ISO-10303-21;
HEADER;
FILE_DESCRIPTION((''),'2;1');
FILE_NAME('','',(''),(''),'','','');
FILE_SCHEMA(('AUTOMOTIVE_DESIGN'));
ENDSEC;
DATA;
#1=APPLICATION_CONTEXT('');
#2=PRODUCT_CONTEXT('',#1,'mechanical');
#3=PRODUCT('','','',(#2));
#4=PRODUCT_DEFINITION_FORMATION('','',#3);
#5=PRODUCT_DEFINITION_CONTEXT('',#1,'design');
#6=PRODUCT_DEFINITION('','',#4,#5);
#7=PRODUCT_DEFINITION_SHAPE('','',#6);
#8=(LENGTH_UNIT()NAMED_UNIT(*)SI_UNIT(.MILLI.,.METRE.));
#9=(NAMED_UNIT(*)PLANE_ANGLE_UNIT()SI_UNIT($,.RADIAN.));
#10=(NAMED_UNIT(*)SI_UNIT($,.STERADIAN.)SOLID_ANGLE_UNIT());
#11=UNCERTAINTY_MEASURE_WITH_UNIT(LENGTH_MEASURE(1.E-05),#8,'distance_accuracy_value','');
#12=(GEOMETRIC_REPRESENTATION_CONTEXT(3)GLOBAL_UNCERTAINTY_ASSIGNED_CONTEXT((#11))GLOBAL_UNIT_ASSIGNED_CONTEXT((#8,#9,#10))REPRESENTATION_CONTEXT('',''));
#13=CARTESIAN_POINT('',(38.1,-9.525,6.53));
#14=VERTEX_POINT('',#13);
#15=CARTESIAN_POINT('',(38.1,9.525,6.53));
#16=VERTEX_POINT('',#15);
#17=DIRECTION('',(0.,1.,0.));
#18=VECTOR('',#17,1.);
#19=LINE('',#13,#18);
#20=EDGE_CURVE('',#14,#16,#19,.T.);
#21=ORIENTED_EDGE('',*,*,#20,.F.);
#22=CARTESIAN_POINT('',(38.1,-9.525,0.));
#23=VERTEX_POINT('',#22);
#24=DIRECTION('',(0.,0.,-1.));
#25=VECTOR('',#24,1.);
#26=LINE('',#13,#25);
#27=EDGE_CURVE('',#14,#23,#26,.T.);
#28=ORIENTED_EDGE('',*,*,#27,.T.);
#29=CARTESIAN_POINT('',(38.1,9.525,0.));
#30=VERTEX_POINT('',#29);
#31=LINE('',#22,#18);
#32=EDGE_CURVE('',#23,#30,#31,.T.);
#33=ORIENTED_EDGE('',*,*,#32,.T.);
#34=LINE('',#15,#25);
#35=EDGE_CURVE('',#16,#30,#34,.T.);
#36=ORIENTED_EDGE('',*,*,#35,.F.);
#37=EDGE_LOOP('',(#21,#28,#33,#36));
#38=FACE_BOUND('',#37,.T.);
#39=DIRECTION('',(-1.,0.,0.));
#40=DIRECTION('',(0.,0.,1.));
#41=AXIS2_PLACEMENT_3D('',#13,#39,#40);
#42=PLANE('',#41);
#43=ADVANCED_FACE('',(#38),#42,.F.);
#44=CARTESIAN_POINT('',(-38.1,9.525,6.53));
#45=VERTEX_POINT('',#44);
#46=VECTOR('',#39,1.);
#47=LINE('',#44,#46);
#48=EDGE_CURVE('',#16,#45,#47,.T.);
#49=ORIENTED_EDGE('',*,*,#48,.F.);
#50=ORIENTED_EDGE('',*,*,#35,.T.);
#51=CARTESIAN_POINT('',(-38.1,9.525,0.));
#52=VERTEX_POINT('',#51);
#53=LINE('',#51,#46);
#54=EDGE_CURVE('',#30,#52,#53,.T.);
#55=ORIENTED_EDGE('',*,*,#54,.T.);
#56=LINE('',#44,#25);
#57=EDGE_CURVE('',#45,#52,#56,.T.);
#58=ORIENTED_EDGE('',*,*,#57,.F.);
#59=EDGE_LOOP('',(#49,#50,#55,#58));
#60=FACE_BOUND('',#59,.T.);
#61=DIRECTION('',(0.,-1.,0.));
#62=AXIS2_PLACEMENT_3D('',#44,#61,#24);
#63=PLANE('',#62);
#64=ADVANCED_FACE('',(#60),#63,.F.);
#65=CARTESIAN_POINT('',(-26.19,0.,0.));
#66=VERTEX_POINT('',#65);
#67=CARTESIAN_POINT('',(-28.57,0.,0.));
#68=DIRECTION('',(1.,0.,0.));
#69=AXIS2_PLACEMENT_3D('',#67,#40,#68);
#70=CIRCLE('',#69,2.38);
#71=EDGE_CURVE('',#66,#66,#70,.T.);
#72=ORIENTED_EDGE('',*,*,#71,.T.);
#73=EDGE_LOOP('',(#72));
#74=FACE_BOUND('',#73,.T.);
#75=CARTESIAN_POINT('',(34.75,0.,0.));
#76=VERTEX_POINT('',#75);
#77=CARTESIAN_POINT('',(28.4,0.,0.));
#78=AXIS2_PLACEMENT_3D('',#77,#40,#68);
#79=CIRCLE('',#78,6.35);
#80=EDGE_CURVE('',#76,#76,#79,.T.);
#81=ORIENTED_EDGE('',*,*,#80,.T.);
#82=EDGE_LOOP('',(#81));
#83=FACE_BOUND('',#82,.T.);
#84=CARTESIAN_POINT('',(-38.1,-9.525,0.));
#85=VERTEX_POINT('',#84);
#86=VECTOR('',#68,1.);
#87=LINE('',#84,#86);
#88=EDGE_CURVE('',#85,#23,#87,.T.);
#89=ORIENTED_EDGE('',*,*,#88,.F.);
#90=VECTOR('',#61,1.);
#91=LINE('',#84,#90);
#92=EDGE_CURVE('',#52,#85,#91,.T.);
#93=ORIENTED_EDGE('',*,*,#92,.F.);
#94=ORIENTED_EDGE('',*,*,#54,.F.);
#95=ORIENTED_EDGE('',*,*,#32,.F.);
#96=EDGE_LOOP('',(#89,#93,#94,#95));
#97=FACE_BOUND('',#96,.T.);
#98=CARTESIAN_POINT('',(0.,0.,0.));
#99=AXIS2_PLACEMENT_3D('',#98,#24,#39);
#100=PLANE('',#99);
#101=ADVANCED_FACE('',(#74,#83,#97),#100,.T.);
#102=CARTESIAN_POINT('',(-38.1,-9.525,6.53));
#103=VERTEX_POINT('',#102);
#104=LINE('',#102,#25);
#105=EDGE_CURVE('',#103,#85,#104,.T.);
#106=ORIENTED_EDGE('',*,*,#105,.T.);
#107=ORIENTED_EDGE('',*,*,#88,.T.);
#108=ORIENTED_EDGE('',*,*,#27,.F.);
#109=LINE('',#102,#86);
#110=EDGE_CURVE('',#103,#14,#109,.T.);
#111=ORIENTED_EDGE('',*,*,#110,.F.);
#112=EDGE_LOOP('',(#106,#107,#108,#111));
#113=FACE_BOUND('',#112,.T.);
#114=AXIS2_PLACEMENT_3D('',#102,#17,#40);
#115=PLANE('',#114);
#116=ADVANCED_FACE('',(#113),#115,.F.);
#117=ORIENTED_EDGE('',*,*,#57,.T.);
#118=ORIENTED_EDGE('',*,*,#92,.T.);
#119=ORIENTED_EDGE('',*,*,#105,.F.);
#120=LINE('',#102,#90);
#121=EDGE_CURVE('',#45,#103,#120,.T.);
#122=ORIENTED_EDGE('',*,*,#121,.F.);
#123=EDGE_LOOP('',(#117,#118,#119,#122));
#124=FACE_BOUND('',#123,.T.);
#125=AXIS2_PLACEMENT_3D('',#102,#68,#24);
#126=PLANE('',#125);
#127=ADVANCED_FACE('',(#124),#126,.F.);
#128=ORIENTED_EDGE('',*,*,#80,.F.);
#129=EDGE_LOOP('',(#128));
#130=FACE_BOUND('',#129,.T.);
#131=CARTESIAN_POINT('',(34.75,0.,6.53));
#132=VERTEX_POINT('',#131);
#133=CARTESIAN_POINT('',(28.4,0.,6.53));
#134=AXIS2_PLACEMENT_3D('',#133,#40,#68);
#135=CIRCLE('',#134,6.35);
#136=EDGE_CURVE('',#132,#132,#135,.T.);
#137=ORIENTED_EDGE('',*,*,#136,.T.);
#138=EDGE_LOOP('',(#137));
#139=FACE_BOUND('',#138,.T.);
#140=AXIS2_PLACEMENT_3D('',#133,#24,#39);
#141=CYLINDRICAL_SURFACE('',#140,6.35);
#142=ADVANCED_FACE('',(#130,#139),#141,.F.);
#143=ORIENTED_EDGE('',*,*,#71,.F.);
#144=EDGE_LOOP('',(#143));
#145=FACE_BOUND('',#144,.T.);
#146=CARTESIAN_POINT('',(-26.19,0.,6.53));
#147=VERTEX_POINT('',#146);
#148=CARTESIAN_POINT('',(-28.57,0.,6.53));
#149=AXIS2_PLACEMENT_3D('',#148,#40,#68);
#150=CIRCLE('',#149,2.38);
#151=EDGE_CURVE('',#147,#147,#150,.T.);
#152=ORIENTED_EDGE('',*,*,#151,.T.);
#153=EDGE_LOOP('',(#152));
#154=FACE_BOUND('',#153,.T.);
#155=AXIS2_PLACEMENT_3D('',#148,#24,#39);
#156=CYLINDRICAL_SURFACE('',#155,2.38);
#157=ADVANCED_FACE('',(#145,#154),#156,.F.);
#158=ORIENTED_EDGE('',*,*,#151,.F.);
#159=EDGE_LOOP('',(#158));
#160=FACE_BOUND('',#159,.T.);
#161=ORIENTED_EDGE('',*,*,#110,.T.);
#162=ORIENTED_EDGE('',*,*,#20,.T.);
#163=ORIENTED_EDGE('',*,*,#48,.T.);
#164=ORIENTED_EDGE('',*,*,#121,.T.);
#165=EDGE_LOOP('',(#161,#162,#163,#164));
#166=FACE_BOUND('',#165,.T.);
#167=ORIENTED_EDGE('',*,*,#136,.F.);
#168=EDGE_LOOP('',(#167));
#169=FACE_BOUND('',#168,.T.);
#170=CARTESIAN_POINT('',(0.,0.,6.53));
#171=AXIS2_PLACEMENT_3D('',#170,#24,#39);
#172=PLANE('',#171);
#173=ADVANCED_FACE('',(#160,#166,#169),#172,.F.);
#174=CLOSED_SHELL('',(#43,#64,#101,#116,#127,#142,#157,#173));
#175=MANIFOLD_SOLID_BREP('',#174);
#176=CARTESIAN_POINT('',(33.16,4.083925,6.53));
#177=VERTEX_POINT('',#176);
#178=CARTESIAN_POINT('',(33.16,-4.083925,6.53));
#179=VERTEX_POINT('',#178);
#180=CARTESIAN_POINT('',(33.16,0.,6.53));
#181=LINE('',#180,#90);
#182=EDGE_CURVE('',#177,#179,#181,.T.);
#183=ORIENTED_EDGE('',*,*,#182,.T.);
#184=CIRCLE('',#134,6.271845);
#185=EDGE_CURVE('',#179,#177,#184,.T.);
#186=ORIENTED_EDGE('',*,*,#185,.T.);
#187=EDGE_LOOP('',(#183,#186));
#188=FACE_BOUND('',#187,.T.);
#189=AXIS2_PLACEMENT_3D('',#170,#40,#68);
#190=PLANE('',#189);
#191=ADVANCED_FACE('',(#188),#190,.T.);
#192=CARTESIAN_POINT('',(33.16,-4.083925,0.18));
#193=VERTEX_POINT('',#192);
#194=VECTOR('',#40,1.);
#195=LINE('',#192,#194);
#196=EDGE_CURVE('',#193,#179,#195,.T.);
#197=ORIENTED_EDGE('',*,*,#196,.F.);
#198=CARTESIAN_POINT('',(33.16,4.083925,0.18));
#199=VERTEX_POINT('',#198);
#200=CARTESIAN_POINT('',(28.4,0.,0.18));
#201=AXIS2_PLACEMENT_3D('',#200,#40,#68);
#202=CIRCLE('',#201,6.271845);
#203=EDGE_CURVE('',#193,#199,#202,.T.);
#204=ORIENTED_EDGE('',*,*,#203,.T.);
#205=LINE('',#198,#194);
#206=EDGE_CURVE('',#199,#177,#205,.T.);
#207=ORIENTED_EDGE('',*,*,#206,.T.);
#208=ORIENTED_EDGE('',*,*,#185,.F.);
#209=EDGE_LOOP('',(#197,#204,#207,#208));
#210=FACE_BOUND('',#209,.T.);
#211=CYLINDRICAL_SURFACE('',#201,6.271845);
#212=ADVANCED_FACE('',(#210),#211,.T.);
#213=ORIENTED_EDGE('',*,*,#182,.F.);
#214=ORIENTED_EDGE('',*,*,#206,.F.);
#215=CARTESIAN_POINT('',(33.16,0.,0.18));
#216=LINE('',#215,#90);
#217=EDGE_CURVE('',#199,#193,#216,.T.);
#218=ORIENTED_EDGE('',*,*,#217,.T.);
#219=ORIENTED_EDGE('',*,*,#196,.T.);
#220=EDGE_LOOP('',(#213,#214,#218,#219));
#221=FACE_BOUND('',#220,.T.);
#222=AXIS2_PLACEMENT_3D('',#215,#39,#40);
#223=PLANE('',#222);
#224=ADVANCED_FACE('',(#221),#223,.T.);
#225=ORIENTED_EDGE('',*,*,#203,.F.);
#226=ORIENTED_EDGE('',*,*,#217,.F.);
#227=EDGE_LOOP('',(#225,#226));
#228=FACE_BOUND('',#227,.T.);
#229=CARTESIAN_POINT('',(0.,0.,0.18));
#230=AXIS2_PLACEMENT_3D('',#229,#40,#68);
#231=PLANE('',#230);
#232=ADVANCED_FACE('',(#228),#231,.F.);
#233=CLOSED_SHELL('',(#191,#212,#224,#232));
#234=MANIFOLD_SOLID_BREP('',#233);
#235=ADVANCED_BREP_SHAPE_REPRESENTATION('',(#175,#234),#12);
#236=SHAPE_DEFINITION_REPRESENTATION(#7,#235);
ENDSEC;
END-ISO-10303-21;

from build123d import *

# Parameters (mm, degrees)
SKETCH1_W           = 76.2
SKETCH1_H           = 19.05
SKETCH1_R           = 2.38
SKETCH1_R_2         = 6.35
BOSS_EXTRUDE1_DEPTH = 6.53
BOSS_EXTRUDE2_DEPTH = 6.35


with BuildPart() as part:
    # Sketch1 → Boss-Extrude1 (new body)
    with BuildSketch(Plane.XY):
        Rectangle(SKETCH1_W, SKETCH1_H)
        with Locations((-28.57, 0)):
            Circle(SKETCH1_R, mode=Mode.SUBTRACT)
        with Locations((28.4, 0)):
            Circle(SKETCH1_R_2, mode=Mode.SUBTRACT)
    extrude(amount=BOSS_EXTRUDE1_DEPTH)


with BuildPart() as body_2:
    # Sketch2 → Boss-Extrude2 (new body)
    with BuildSketch(Plane.XY.offset(6.53)):
        with BuildLine():
            ThreePointArc((34.671845471, 0), (34.281752717, 2.177390775), (33.16, 4.08392527))
            Line((33.16, 4.08392527), (33.16, -4.08392527))
            ThreePointArc((33.16, -4.08392527), (34.281752717, -2.177390775), (34.671845471, 0))
        make_face()
    extrude(amount=-BOSS_EXTRUDE2_DEPTH)


solid = Compound([part.part, body_2.part])
